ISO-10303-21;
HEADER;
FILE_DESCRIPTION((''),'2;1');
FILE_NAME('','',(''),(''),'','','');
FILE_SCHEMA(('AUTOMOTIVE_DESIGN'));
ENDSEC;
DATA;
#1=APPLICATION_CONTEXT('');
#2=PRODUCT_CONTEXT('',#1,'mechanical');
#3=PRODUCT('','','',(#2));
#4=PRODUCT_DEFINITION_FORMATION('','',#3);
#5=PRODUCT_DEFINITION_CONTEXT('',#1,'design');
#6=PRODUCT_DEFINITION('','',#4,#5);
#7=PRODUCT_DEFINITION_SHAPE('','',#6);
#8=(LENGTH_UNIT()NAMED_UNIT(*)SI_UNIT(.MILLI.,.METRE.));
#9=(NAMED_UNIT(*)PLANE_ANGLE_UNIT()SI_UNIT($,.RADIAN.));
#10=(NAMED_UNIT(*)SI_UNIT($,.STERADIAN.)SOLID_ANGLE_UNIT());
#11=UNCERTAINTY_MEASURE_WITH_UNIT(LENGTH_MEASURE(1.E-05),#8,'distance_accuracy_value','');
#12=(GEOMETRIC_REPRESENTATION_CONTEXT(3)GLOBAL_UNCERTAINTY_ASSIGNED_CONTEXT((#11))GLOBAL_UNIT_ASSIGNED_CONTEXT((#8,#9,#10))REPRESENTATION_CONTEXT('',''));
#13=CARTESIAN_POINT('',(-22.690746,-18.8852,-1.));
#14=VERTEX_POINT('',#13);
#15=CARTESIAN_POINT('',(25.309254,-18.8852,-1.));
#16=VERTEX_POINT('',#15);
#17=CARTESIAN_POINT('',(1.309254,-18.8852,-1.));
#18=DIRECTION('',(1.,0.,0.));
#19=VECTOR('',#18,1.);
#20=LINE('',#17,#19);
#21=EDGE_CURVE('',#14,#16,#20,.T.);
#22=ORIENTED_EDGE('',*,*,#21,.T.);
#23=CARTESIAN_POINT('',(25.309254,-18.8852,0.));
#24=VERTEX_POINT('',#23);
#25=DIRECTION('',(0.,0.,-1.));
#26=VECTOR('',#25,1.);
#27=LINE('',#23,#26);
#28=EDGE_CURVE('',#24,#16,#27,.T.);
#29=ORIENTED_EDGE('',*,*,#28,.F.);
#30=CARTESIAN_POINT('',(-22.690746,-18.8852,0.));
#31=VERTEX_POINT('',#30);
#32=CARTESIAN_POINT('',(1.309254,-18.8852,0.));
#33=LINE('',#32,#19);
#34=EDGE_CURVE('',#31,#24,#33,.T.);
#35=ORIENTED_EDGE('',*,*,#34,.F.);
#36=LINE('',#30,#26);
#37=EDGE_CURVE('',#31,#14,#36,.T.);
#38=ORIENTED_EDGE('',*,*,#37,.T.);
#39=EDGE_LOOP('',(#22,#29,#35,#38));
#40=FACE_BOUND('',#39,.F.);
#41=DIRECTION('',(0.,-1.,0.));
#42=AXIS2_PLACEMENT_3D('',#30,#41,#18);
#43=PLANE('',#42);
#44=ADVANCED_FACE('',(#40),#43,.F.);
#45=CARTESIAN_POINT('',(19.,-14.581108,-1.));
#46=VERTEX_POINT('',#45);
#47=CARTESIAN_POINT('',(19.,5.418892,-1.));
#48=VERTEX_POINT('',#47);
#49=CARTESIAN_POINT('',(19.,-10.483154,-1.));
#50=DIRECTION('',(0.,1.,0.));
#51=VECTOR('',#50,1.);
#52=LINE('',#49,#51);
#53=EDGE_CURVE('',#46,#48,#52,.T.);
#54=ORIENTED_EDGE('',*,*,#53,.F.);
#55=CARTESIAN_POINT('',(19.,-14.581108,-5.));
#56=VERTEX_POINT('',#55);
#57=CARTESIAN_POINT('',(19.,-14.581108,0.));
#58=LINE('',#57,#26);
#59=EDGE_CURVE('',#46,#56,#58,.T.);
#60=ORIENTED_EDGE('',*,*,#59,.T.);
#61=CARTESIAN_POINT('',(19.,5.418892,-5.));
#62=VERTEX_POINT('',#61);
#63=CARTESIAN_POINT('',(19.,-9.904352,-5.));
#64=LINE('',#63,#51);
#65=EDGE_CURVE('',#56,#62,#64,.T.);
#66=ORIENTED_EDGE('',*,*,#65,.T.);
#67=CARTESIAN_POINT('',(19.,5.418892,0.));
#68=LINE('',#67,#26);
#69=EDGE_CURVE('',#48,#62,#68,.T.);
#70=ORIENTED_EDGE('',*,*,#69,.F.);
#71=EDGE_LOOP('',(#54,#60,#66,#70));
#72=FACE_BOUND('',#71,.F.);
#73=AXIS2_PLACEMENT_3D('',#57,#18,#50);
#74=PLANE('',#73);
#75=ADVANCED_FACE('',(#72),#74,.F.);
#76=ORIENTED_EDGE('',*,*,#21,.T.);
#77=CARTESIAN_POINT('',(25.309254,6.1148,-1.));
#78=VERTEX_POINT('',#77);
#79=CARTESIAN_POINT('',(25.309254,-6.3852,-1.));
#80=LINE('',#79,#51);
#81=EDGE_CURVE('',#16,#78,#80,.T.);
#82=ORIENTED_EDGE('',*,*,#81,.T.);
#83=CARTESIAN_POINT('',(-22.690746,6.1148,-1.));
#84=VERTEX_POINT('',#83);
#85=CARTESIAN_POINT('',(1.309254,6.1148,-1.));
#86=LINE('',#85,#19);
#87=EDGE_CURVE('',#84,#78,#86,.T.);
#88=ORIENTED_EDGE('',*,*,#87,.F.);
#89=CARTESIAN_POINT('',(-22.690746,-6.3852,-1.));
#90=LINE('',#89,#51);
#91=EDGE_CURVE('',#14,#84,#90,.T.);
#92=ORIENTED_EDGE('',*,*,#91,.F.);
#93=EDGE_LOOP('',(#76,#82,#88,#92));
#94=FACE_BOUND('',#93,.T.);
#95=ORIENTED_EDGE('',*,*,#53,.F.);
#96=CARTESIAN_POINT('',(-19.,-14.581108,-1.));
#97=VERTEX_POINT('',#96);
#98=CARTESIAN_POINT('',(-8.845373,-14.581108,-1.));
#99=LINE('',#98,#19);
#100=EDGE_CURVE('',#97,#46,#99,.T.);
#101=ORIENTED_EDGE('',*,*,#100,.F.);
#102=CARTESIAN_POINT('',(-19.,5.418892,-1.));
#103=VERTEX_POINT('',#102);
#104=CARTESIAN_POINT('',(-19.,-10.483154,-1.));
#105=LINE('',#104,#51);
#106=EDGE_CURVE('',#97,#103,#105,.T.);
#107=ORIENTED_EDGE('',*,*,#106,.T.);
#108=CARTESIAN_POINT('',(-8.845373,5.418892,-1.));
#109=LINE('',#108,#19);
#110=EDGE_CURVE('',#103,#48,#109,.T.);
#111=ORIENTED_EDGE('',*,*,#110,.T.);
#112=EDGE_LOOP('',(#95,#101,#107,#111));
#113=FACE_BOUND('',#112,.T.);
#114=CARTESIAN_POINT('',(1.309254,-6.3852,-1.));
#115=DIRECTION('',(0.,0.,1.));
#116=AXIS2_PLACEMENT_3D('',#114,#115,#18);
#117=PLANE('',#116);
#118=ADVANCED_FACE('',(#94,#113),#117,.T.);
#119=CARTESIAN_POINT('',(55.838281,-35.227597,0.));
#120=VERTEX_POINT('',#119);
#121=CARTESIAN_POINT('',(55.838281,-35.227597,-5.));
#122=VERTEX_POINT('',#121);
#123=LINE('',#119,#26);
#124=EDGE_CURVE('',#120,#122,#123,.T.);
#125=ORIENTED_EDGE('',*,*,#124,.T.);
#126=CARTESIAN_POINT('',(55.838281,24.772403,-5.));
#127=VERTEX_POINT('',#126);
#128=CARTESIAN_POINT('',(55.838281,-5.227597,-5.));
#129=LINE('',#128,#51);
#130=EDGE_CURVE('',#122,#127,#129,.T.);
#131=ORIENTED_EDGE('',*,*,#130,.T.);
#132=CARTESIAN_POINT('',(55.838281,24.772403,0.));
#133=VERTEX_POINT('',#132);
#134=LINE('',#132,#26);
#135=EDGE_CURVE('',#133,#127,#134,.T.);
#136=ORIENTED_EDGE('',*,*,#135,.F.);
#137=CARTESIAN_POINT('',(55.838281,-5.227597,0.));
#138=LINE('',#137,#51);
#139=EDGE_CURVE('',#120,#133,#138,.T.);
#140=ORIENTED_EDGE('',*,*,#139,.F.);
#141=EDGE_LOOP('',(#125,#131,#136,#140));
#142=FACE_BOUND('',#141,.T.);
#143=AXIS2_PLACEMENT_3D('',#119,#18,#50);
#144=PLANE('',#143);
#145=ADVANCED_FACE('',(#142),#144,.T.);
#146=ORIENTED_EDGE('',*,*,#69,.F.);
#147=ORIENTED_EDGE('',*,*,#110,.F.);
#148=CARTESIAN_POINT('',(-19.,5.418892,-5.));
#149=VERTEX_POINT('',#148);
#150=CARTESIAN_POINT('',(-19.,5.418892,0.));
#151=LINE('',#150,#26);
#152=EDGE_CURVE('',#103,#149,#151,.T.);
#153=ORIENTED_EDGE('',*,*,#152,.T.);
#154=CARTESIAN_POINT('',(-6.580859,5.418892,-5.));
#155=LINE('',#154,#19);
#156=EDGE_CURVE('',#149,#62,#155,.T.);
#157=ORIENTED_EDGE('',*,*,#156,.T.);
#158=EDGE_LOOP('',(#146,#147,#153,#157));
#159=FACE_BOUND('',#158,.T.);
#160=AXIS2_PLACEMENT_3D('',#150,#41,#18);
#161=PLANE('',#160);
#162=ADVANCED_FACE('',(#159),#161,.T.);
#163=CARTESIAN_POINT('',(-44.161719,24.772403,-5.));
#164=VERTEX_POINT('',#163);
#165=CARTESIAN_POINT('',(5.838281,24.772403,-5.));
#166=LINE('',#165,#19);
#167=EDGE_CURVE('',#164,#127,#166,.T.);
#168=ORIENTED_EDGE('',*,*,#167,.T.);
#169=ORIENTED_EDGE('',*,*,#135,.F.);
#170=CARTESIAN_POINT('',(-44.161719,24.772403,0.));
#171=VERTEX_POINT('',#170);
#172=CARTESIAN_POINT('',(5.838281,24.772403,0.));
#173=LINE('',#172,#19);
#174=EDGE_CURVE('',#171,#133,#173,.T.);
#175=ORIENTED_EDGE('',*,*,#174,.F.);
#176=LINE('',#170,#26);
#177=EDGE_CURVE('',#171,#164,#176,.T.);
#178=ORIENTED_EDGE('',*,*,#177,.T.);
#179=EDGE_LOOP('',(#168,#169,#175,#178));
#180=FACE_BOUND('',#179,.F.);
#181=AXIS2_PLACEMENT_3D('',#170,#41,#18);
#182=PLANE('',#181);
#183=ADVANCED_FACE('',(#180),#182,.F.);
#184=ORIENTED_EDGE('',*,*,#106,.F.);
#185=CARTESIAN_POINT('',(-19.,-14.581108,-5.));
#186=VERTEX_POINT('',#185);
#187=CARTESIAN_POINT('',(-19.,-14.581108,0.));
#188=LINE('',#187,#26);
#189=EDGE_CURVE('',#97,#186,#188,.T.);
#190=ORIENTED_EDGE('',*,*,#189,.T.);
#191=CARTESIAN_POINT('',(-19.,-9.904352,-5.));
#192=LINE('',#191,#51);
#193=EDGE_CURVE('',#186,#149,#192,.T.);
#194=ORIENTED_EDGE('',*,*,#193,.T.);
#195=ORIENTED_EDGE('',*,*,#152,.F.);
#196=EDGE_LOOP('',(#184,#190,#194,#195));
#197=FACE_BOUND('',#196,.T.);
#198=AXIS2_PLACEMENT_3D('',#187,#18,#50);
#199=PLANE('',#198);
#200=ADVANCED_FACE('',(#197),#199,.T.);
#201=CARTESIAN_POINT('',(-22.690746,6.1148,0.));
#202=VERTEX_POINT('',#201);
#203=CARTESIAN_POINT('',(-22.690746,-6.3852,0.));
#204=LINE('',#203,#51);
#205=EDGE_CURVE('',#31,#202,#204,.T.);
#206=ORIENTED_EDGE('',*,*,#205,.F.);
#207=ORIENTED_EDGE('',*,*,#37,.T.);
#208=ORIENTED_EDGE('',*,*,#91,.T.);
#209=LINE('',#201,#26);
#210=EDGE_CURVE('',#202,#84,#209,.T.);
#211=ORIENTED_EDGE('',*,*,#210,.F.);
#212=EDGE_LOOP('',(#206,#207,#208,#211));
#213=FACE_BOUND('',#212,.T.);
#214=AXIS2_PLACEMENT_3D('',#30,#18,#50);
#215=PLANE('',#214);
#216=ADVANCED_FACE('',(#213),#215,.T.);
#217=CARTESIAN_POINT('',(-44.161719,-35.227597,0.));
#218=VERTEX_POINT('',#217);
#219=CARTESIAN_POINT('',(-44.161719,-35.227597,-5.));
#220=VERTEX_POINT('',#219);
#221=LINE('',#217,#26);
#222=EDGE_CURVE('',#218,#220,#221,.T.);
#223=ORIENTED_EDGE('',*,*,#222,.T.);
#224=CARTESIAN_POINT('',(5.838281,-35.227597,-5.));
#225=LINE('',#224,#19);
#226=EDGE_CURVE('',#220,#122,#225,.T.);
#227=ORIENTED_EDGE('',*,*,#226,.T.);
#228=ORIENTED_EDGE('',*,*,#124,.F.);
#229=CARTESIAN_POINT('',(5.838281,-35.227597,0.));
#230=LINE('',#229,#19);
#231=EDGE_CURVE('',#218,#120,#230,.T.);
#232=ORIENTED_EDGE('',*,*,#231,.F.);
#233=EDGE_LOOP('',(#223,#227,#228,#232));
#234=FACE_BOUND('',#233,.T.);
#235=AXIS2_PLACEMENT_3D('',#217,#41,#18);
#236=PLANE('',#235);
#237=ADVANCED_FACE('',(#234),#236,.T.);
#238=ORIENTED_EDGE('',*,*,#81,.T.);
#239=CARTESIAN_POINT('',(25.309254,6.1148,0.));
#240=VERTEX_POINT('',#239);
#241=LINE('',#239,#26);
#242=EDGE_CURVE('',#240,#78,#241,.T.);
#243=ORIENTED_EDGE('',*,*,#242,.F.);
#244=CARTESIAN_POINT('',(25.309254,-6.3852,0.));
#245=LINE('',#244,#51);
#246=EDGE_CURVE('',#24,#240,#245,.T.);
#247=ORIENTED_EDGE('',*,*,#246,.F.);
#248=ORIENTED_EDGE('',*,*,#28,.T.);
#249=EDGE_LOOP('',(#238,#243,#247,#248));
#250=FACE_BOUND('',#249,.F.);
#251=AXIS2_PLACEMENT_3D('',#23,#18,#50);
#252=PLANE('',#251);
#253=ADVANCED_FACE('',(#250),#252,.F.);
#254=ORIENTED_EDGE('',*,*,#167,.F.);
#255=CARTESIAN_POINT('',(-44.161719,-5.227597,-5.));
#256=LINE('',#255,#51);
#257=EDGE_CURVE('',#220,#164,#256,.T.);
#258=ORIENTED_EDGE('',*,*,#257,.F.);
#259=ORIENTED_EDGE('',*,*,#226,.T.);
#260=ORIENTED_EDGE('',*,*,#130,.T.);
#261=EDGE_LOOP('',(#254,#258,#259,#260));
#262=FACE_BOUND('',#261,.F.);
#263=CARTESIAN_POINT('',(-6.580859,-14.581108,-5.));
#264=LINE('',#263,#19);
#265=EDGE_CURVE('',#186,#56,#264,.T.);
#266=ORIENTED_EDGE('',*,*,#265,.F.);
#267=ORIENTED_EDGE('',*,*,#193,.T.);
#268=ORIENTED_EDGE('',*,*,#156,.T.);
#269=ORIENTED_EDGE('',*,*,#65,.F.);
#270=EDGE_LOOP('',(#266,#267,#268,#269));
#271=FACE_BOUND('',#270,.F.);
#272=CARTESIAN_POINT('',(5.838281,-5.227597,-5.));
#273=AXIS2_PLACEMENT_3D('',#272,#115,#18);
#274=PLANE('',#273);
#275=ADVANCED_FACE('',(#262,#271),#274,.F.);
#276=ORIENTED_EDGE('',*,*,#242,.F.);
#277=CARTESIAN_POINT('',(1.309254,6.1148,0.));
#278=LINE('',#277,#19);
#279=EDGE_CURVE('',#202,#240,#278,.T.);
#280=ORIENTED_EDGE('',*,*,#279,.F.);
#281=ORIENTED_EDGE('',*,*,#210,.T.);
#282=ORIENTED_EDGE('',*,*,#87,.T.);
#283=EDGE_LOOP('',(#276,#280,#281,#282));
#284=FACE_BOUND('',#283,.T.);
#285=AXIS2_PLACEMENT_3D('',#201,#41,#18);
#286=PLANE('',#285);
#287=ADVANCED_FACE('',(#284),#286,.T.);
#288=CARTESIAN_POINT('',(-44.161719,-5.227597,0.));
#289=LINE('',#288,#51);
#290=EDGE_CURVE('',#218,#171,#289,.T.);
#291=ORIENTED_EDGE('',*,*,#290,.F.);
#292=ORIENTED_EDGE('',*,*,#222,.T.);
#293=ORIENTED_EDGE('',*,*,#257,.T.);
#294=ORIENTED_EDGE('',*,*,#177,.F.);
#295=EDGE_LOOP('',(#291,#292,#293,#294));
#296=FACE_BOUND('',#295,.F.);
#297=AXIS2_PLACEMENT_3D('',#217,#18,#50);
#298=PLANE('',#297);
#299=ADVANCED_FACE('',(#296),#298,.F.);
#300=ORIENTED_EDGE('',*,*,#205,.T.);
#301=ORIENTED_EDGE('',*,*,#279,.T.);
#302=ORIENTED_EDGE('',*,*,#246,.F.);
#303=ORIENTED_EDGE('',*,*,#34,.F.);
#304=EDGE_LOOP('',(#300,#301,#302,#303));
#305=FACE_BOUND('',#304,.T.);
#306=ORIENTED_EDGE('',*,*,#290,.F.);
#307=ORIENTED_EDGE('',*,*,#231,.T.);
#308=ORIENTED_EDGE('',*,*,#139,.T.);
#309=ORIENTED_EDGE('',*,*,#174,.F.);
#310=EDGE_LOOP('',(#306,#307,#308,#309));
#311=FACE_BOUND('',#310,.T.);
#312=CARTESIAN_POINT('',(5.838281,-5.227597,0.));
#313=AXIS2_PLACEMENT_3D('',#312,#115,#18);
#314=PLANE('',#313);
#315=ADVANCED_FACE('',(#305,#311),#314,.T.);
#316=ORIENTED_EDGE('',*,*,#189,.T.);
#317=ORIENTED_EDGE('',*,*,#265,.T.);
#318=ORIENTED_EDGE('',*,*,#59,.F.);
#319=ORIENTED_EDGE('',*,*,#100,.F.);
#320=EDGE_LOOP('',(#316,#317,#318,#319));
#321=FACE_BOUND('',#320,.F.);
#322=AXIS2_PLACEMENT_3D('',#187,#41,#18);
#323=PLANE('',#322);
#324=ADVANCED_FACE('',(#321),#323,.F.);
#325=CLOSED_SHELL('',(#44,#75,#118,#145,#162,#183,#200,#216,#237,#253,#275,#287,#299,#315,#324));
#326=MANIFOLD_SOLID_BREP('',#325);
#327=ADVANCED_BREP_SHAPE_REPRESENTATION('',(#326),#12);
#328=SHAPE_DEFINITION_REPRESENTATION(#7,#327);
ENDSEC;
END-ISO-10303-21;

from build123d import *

# Parameters (mm, degrees)
F0_W     = 100
F0_H     = 60
F3_DEPTH = 5
F1_W     = 48
F1_H     = 25
F4_DEPTH = 1
F2_W     = 38
F2_H     = 20
F5_DEPTH = 10


with BuildPart() as f3:
    # F0 (on Top) → F3 (new body)
    with BuildSketch(Plane.XY):
        with Locations((5.838281, -5.227597)):
            Rectangle(F0_W, F0_H)
    extrude(amount=-F3_DEPTH)

    # F1 (on Top) → F4 (cut)
    with BuildSketch(Plane.XY):
        with Locations((1.309254, -6.3852)):
            Rectangle(F1_W, F1_H)
    extrude(amount=-F4_DEPTH, mode=Mode.SUBTRACT)

    # F2 (on face) → F5 (cut)
    with BuildSketch(Plane.XY):
        with Locations((0, -4.581108)):
            Rectangle(F2_W, F2_H)
    extrude(amount=-F5_DEPTH, mode=Mode.SUBTRACT)


solid = f3.part
